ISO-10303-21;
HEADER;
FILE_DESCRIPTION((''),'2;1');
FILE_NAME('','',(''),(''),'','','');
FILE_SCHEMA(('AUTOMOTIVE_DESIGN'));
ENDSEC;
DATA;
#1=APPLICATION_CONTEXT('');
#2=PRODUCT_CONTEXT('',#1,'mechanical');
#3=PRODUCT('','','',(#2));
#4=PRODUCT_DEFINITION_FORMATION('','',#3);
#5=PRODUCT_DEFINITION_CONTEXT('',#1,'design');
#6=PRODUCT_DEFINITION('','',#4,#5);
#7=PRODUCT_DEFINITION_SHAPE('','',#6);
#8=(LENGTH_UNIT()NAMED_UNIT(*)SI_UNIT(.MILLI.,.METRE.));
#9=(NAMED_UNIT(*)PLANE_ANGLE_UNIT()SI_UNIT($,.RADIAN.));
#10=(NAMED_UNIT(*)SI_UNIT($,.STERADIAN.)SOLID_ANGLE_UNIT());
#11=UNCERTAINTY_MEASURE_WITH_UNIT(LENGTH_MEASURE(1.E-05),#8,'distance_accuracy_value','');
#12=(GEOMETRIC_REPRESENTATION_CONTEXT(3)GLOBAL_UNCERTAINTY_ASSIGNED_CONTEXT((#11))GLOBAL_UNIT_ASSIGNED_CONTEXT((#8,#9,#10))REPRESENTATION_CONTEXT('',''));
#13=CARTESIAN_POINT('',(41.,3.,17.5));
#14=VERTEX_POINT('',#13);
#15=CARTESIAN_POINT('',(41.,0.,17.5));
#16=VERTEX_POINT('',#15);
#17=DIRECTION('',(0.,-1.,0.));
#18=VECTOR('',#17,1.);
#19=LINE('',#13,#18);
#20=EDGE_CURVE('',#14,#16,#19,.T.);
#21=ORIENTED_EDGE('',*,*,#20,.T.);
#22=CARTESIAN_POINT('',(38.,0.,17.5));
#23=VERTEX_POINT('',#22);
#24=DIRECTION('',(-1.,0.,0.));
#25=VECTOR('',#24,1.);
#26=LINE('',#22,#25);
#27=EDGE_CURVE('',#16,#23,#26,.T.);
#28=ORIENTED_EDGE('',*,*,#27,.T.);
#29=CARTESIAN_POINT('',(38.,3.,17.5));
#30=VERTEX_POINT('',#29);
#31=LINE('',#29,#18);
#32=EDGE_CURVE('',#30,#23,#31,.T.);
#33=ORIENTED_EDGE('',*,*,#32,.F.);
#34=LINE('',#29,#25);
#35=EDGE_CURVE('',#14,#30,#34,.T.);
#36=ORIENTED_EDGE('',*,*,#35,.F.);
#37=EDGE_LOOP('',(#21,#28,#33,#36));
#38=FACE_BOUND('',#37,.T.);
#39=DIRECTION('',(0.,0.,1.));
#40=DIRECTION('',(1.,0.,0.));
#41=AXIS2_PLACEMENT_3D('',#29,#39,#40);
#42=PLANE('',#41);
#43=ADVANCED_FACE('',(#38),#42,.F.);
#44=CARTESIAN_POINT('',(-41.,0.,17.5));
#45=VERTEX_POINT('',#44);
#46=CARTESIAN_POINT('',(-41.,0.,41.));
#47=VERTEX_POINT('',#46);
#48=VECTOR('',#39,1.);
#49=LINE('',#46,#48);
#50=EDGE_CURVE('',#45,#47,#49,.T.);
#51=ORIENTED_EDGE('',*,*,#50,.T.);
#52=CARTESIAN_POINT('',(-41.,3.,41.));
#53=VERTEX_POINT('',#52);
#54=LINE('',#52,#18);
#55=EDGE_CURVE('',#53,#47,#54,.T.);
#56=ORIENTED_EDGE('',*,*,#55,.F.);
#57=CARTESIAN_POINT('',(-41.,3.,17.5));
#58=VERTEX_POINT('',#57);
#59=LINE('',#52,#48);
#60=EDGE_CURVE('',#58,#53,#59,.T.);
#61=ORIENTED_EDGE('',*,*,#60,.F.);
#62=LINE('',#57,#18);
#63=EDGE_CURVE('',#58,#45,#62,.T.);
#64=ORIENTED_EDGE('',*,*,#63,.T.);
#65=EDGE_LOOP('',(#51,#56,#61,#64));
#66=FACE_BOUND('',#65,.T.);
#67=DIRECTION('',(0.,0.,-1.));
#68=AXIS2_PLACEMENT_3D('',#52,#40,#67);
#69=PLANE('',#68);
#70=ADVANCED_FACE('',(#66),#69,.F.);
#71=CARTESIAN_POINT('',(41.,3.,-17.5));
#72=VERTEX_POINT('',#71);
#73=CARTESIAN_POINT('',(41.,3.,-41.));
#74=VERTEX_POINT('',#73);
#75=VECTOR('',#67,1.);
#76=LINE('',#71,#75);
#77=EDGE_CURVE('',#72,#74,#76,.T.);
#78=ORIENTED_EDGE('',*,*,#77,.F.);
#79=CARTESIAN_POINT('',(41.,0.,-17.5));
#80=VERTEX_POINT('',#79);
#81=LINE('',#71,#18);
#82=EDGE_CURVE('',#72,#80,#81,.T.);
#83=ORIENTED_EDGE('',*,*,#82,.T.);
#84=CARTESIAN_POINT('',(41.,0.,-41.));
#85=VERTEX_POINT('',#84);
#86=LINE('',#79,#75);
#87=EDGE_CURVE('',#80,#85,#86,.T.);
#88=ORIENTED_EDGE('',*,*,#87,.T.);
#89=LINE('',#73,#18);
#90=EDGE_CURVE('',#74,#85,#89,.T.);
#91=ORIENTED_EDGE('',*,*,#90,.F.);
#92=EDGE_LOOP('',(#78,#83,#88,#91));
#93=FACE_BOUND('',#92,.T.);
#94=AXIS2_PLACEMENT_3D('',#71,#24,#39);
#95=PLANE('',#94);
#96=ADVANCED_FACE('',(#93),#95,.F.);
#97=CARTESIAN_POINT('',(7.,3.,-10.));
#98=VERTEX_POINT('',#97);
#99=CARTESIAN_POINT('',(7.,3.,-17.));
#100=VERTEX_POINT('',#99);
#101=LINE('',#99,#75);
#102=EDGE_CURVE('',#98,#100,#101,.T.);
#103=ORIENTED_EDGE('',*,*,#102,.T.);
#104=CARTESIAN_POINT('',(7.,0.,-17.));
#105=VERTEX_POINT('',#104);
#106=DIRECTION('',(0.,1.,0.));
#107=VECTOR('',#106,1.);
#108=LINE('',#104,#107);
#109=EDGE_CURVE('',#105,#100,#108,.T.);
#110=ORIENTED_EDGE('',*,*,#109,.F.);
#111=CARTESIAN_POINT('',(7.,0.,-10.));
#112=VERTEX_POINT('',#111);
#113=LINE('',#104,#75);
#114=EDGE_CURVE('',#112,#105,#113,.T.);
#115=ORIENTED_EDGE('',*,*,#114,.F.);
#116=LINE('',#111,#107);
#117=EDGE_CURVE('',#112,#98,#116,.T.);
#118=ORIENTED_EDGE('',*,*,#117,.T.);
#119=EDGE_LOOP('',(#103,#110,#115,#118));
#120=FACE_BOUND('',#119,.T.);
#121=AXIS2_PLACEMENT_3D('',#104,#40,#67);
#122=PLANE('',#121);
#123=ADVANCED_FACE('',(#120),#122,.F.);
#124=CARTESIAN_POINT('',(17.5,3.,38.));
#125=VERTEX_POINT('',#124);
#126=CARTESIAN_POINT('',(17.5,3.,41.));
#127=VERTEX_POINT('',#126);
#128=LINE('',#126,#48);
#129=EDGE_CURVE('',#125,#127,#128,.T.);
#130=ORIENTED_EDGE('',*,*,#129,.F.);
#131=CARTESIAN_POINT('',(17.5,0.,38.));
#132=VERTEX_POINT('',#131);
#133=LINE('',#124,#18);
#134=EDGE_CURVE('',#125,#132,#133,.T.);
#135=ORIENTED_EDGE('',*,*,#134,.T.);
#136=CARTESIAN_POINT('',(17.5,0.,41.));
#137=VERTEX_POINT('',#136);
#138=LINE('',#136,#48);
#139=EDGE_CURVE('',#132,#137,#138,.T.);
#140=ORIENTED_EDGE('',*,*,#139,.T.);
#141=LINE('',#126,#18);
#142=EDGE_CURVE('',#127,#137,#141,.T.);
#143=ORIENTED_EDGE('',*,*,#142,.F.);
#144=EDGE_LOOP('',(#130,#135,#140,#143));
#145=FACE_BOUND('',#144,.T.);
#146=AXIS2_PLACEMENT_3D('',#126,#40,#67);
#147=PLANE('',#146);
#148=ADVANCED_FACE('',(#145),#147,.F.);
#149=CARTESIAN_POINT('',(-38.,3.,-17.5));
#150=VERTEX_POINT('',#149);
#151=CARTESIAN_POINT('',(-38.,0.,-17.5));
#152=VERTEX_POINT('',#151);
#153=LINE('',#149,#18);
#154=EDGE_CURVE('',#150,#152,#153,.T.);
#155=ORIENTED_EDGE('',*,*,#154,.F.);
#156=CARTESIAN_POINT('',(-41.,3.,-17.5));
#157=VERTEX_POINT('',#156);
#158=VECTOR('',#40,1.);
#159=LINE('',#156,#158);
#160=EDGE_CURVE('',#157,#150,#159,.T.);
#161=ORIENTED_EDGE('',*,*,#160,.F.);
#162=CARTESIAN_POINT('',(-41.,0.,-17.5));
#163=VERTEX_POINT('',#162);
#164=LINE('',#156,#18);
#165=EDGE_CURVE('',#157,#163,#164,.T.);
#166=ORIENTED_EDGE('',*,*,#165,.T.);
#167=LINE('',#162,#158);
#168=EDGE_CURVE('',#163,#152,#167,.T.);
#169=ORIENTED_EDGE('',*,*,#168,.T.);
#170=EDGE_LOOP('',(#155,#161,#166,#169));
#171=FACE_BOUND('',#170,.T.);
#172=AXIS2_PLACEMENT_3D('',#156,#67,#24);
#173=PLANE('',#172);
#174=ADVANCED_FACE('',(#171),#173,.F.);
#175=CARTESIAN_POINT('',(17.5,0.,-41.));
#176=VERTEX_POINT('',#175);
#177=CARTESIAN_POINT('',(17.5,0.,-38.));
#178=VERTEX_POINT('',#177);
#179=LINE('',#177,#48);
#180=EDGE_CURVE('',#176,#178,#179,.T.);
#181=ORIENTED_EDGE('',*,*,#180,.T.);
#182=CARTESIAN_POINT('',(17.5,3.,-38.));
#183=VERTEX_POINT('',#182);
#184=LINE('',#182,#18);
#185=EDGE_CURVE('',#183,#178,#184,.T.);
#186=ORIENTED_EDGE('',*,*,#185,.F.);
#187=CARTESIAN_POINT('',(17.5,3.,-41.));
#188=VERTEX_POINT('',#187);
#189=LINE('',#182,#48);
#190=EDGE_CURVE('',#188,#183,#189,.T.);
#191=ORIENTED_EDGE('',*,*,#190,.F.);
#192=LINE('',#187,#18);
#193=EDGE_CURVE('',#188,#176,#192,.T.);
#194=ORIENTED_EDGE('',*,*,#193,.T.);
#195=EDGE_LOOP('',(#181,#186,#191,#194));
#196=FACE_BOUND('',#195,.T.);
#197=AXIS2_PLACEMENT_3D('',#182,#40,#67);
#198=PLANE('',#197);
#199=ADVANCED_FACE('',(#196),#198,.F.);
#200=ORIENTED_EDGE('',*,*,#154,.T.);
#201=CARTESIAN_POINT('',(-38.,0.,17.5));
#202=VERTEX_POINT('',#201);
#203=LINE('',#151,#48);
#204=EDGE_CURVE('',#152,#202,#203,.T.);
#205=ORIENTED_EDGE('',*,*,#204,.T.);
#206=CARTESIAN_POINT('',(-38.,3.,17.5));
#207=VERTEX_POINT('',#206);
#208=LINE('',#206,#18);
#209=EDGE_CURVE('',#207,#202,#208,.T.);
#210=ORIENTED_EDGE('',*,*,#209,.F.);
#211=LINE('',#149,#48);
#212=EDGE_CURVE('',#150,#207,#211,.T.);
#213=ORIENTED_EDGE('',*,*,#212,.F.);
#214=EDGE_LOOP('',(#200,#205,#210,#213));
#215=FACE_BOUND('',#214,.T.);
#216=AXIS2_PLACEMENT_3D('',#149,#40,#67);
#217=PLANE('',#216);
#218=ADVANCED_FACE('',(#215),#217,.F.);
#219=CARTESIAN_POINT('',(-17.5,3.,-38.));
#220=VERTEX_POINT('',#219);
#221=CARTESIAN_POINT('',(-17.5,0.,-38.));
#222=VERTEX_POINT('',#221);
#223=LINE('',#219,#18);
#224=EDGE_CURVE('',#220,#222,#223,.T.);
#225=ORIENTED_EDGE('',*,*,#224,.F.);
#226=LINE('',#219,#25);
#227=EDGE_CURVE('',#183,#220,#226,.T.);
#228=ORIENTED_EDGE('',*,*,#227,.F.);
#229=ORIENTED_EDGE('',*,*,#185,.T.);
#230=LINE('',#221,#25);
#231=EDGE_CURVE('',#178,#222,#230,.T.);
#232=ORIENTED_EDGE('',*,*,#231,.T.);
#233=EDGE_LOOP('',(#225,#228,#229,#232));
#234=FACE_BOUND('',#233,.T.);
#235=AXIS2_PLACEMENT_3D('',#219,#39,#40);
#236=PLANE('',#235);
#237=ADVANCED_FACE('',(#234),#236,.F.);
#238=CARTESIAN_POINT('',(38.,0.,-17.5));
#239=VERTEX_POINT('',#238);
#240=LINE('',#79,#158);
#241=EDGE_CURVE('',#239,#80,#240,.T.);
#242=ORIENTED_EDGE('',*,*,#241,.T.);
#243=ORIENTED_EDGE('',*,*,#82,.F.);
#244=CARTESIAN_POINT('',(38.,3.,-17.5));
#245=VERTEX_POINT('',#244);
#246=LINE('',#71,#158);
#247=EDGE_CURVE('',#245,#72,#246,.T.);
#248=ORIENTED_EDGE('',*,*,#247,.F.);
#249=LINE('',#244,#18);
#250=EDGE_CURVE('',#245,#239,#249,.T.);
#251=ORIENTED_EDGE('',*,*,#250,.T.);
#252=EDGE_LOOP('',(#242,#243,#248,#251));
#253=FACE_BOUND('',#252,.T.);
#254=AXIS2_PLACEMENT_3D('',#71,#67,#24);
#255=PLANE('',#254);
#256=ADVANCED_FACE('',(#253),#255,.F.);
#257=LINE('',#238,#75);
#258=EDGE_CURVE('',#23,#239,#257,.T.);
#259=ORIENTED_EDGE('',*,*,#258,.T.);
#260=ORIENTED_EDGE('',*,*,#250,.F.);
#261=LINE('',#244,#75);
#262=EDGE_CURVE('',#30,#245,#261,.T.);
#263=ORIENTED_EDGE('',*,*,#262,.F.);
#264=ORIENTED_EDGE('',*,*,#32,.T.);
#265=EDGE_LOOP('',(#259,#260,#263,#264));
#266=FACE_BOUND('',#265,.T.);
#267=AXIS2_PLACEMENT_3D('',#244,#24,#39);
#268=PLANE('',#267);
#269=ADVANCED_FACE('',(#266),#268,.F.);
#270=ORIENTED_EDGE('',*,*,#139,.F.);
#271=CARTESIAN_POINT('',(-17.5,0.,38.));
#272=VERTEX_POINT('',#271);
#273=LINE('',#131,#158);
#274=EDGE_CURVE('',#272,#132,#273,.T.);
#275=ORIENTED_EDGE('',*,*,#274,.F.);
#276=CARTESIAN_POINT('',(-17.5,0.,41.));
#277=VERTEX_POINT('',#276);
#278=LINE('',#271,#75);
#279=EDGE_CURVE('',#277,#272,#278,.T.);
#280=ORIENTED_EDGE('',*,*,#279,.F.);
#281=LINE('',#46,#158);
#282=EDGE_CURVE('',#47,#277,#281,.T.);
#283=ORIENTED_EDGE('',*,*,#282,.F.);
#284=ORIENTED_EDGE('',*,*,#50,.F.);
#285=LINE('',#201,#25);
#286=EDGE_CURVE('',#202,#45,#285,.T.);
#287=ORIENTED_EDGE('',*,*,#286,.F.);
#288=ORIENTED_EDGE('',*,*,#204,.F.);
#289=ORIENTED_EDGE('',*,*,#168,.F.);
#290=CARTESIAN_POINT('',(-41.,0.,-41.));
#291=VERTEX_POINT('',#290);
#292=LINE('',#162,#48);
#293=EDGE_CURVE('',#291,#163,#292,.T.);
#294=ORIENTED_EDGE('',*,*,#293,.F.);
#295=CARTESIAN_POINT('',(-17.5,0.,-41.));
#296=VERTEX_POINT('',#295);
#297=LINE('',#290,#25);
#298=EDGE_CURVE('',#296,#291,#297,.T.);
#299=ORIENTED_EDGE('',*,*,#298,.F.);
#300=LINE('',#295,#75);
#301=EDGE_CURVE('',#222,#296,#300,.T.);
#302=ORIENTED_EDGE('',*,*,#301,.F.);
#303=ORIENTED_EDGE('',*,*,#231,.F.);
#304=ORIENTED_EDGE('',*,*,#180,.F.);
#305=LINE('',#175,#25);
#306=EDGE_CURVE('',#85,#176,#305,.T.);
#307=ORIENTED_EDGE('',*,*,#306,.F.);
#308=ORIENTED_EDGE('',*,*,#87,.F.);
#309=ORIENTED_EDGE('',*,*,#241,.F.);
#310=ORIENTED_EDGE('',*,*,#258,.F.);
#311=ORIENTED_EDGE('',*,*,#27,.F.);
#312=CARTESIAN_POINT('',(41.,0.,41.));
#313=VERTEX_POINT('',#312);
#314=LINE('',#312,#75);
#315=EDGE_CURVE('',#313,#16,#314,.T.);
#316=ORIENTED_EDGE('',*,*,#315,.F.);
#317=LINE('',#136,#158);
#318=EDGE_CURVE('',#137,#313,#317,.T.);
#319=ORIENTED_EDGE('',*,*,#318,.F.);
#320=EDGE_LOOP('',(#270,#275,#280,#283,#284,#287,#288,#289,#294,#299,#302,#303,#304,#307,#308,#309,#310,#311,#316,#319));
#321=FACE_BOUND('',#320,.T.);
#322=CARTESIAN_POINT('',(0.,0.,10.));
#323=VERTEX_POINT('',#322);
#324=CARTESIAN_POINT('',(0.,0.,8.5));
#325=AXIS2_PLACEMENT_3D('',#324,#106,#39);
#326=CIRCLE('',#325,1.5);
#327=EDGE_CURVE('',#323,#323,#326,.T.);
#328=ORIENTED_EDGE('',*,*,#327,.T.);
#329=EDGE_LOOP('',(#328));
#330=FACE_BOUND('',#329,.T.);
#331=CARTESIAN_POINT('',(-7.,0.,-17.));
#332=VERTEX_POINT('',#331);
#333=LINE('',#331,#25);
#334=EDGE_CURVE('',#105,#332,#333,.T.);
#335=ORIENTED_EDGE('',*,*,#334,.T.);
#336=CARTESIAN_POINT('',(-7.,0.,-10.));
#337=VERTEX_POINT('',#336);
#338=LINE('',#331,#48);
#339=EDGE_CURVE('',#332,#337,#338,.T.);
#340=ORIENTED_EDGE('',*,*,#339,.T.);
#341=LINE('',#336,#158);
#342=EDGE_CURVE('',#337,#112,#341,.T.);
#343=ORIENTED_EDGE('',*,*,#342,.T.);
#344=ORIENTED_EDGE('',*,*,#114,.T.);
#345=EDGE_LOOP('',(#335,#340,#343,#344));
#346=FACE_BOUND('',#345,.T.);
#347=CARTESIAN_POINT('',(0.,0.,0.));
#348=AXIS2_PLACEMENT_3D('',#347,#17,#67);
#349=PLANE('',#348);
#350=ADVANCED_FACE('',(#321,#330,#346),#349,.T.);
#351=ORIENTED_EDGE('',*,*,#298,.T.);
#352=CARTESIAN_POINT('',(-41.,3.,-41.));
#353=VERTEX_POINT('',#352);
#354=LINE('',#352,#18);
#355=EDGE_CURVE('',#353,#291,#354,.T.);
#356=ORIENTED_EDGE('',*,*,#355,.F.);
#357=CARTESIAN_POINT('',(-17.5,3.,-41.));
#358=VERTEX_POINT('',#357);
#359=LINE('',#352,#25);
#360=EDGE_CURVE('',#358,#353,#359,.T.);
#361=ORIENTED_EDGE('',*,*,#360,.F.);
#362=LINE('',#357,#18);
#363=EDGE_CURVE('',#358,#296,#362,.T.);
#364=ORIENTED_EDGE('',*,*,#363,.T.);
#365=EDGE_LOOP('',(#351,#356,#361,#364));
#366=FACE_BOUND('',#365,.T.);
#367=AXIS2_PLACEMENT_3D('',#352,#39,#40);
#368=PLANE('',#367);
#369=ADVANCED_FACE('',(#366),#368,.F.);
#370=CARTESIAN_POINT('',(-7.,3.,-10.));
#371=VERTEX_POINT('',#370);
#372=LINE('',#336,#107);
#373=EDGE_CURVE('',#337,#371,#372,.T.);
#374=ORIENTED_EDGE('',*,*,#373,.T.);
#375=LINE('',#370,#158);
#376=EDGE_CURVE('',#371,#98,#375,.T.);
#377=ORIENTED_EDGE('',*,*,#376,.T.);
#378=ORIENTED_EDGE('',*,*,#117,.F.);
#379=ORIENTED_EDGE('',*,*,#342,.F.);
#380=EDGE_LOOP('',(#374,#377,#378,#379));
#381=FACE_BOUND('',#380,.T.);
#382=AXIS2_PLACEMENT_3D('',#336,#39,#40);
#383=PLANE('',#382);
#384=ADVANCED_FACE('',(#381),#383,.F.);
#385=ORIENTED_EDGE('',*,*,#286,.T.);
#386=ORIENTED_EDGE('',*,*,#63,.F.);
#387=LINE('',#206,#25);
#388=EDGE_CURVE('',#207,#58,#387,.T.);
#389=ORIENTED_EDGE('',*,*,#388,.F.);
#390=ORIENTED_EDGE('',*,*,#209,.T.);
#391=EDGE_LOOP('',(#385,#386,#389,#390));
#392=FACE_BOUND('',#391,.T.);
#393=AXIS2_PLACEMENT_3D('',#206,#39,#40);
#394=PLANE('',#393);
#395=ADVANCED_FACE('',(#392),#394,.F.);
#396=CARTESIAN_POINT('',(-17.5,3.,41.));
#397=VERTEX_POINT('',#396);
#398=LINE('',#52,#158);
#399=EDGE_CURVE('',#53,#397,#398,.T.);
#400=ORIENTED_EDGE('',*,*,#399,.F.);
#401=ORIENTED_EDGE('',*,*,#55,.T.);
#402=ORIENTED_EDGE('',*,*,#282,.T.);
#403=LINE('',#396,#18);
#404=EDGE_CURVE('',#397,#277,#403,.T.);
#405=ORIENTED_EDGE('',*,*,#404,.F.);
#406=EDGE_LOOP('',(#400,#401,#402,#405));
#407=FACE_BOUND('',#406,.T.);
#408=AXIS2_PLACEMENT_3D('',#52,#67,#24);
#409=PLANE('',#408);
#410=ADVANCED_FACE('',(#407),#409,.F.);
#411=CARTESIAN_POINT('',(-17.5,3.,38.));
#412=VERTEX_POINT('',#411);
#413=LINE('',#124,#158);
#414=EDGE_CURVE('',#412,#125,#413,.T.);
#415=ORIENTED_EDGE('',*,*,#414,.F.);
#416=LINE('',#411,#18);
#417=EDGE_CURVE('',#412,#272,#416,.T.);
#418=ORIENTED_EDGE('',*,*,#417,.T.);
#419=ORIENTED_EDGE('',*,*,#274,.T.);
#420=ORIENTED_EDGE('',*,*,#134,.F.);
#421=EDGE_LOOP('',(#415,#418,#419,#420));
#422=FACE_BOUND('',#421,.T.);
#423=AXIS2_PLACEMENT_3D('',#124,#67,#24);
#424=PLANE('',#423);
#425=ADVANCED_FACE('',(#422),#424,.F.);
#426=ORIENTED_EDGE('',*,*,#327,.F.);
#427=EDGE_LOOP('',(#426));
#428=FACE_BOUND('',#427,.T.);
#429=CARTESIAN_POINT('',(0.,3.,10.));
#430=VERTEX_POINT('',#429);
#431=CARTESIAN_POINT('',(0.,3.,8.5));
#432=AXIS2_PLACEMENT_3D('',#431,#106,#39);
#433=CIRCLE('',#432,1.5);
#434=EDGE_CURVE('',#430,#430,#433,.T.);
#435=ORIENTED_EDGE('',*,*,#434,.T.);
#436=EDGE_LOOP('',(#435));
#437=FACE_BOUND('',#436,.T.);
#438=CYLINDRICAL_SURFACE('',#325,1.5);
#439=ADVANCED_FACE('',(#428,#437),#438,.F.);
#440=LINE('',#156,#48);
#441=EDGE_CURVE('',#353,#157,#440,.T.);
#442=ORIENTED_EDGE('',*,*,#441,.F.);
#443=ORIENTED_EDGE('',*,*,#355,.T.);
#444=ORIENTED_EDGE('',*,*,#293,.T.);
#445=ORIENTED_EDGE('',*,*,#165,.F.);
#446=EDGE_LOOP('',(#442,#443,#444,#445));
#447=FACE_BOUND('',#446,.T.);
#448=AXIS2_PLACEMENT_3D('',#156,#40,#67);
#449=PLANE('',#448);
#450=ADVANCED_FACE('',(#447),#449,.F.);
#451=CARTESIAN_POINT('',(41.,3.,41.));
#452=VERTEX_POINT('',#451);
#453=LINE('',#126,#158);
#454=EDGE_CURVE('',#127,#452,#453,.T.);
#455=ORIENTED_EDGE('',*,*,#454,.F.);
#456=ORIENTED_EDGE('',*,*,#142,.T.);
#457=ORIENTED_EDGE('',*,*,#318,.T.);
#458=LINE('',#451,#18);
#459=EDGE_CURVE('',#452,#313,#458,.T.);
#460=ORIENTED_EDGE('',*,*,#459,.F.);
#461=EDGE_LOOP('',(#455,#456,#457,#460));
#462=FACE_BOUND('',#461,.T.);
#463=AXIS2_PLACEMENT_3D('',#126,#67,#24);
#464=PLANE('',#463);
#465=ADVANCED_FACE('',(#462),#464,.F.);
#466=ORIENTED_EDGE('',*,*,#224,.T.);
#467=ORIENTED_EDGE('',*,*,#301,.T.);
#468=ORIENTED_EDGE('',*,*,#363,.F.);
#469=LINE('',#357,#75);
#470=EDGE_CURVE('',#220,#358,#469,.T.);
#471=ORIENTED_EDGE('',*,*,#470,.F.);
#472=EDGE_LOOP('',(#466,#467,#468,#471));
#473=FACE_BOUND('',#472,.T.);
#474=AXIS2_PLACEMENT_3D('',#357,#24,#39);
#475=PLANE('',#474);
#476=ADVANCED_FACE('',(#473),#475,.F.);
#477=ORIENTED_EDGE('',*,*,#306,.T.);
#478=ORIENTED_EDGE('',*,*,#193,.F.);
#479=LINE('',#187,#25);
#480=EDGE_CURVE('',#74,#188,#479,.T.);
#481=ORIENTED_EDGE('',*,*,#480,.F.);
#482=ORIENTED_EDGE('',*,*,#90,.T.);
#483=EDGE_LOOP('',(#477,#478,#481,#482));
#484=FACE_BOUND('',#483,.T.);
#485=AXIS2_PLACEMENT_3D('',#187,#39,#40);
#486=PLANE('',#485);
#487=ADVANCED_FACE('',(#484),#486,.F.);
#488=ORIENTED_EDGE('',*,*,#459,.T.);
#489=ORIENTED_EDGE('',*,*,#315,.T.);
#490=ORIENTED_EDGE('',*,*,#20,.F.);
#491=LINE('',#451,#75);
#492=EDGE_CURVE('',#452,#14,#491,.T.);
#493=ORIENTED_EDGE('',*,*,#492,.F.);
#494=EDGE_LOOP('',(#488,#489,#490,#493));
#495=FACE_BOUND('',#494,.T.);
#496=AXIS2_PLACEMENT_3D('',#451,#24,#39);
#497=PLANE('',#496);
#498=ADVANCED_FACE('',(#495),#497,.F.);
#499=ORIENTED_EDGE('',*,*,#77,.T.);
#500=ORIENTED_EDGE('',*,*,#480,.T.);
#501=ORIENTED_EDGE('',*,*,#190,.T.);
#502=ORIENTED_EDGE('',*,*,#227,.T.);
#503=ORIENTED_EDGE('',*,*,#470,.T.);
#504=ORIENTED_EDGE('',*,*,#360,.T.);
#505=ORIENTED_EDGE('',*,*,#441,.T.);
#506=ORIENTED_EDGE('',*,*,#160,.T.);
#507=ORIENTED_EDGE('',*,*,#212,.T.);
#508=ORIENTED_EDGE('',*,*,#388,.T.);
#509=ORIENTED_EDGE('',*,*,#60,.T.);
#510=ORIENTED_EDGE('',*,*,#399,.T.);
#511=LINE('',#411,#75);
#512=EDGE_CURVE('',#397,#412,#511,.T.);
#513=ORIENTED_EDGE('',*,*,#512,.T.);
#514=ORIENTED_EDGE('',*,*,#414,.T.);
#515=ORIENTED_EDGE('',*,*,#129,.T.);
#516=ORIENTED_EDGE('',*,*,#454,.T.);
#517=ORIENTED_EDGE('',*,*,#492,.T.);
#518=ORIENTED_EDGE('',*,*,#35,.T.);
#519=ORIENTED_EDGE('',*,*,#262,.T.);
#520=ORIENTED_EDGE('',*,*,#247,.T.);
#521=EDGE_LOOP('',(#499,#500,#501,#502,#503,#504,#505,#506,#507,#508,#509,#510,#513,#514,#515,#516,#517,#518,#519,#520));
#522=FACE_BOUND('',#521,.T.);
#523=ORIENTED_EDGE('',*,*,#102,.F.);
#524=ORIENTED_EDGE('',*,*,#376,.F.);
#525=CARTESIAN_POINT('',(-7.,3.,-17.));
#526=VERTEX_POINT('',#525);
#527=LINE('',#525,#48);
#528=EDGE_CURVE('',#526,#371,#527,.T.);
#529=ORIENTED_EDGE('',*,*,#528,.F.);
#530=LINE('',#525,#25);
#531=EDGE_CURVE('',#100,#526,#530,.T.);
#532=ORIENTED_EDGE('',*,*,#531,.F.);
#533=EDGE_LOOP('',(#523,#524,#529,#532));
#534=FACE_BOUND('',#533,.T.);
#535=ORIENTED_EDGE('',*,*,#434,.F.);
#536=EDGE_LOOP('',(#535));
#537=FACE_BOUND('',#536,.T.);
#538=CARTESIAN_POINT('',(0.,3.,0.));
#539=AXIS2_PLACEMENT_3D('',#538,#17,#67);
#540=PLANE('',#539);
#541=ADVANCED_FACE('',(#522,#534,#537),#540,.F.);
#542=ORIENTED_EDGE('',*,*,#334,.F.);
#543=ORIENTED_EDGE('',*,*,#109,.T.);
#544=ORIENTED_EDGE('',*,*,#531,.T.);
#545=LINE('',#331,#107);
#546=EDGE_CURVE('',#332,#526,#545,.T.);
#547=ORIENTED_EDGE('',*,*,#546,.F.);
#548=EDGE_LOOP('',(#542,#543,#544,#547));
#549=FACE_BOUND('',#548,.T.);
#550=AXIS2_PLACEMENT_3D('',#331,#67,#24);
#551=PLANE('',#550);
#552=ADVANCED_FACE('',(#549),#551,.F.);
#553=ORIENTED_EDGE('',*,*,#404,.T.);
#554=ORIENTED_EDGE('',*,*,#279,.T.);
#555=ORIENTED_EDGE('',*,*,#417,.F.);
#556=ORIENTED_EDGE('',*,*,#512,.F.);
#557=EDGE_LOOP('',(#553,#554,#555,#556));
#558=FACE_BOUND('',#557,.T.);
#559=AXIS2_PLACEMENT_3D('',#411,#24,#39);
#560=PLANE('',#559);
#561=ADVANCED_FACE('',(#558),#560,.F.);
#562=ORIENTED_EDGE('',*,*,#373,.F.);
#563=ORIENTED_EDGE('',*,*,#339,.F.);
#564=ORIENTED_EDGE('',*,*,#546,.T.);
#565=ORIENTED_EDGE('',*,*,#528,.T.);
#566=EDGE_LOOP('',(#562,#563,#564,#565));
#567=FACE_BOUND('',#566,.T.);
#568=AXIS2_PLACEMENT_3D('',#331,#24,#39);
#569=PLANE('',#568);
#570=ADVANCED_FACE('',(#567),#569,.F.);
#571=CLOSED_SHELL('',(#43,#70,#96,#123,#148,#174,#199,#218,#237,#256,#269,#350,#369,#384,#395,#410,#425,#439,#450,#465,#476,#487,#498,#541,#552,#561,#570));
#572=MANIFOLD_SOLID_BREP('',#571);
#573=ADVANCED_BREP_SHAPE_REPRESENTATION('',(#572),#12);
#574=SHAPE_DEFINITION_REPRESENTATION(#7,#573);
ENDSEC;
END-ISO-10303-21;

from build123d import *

# Parameters (mm, degrees)
BOSS_EXTRUDE1_DEPTH = 3
SKETCH2_R           = 1.5
SKETCH2_W           = 14
SKETCH2_H           = 7
CUT_EXTRUDE1_DEPTH  = 3


with BuildPart() as part:
    # Sketch1 → Boss-Extrude1 (new body)
    with BuildSketch(Plane(origin=(0, 0, 0), x_dir=(1, 0, 0), z_dir=(0, 1, 0))):
        Polygon((-41, -41), (-17.5, -41), (-17.5, -38), (17.5, -38), (17.5, -41), (41, -41), (41, -17.5), (38, -17.5), (38, 17.5), (41, 17.5), (41, 41), (17.5, 41), (17.5, 38), (-17.5, 38), (-17.5, 41), (-41, 41), (-41, 17.5), (-38, 17.5), (-38, -17.5), (-41, -17.5), align=None)
    extrude(amount=BOSS_EXTRUDE1_DEPTH)

    # Sketch2 → Cut-Extrude1 (cut)
    with BuildSketch(Plane(origin=(0, 3, 0), x_dir=(1, 0, 0), z_dir=(0, 1, 0))):
        with Locations((0, -8.5)):
            Circle(SKETCH2_R)
        with Locations((0, 13.5)):
            Rectangle(SKETCH2_W, SKETCH2_H)
    extrude(amount=-CUT_EXTRUDE1_DEPTH, mode=Mode.SUBTRACT)


solid = part.part
